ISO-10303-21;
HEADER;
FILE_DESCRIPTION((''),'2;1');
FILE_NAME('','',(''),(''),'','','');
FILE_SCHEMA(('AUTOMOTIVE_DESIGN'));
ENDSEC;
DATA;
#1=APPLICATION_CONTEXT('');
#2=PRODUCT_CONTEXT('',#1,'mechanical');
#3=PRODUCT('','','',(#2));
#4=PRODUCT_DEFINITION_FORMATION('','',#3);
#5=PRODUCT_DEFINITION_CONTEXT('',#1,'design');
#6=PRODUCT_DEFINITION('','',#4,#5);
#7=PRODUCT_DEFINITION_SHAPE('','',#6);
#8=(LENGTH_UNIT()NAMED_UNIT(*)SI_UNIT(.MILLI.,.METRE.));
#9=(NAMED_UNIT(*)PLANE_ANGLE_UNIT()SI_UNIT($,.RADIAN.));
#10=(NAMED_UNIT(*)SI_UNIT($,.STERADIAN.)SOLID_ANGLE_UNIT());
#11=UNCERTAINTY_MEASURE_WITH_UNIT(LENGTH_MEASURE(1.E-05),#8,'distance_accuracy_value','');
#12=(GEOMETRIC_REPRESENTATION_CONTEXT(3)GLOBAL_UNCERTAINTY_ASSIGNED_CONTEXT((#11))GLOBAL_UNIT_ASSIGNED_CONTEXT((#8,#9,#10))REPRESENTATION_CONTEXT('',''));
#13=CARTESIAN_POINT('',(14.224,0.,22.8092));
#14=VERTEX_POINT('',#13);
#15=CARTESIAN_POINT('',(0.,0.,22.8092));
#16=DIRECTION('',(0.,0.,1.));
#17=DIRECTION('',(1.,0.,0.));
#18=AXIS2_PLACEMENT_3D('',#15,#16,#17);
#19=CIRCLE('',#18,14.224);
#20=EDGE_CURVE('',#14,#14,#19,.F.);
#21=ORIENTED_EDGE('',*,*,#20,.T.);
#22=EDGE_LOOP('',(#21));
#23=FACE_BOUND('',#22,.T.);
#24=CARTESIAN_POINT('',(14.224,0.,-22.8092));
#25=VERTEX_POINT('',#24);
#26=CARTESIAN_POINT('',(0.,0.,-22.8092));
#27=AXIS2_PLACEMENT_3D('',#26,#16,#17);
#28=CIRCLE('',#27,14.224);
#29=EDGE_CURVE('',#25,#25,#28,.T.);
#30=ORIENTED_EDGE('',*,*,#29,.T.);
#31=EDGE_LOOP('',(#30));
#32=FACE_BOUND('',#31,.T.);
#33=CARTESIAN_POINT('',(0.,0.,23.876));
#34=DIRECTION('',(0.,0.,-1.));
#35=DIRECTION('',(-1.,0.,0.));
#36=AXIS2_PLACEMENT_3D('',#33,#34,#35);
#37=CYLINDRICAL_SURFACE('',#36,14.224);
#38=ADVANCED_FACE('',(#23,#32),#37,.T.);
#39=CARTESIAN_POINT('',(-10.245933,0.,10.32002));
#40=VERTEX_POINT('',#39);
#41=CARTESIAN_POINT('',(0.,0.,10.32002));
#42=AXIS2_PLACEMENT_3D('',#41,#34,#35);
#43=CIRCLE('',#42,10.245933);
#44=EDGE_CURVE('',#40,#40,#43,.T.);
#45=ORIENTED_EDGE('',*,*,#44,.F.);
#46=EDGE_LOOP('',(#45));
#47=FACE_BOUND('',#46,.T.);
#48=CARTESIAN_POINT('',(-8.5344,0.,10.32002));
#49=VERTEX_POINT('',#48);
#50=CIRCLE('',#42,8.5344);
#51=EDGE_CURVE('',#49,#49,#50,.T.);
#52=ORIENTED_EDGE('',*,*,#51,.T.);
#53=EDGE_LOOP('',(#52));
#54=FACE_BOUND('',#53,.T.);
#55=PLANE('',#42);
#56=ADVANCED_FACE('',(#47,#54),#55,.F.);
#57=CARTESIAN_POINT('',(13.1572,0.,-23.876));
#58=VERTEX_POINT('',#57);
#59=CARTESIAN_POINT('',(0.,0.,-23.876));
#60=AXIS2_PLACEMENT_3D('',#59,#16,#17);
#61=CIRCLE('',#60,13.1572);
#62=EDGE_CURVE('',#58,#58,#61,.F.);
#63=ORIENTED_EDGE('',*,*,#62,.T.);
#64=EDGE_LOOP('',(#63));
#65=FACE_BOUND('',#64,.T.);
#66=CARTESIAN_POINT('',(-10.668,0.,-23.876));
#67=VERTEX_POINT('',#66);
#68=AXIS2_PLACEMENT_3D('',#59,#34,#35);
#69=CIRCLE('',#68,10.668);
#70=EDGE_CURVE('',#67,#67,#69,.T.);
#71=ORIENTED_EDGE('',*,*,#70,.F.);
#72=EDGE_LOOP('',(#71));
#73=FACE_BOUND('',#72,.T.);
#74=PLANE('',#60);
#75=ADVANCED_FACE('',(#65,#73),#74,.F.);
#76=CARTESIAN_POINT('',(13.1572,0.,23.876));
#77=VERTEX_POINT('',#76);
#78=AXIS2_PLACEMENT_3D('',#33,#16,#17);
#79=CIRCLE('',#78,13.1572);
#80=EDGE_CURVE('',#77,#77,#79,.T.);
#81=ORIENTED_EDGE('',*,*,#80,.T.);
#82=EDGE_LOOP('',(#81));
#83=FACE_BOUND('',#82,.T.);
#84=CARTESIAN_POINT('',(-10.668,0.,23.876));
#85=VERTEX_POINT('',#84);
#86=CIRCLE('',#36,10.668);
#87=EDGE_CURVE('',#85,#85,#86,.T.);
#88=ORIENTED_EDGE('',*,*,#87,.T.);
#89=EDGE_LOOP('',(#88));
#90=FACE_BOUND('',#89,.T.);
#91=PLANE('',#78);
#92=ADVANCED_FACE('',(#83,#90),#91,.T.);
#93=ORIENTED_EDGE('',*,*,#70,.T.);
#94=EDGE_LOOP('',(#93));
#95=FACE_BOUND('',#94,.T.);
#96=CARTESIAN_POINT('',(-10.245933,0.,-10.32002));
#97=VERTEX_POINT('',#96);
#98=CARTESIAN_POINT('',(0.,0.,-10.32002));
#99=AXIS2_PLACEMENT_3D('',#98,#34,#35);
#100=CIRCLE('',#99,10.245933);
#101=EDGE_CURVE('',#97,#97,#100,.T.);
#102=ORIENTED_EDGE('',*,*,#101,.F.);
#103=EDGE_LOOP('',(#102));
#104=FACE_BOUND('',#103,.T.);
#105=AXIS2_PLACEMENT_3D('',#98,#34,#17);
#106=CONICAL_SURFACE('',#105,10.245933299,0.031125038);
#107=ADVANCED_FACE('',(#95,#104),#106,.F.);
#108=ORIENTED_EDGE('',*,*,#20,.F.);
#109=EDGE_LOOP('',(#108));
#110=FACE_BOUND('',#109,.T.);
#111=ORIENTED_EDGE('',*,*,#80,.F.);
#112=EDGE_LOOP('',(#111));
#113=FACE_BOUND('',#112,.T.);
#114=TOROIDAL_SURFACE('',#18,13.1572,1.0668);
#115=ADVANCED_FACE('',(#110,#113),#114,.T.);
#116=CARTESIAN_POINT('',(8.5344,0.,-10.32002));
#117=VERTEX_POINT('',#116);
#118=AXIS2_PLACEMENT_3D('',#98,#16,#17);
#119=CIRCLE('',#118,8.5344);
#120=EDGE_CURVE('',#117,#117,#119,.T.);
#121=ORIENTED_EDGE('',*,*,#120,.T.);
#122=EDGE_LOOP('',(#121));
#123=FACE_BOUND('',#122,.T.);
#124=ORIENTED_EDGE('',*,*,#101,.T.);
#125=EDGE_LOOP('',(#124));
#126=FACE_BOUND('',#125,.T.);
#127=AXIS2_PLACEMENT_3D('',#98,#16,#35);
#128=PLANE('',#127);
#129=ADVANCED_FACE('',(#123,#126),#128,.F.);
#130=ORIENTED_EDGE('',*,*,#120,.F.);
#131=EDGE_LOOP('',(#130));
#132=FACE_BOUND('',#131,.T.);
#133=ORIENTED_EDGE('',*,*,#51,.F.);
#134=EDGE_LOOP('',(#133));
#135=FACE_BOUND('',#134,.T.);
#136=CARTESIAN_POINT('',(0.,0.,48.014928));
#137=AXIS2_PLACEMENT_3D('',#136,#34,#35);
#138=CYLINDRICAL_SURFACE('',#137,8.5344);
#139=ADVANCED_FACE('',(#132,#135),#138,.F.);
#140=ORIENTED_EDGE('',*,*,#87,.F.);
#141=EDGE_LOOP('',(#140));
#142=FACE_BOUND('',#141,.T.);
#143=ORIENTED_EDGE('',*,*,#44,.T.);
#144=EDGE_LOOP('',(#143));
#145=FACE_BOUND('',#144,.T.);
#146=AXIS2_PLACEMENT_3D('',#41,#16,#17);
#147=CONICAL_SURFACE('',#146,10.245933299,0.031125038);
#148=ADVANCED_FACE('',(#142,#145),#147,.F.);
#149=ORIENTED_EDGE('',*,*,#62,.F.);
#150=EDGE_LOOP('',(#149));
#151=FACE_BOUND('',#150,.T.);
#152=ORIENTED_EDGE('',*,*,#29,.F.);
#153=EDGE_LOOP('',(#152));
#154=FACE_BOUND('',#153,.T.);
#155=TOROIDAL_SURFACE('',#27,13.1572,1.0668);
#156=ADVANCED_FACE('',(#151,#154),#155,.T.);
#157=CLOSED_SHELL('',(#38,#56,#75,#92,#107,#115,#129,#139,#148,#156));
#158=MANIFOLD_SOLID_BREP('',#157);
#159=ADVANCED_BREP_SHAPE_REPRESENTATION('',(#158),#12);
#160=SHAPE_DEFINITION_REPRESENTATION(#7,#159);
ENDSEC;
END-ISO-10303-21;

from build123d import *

# Parameters (mm, degrees)
BODYSCH_R  = 14.224
BODY_DEPTH = 23.876
FLOWSCH_R  = 8.5344
FLOW_DEPTH = 47.752
FILLET1_R  = 1.0668


with BuildPart() as part:
    # BodySch → Body (new, symmetric)
    with BuildSketch(Plane.XY):
        Circle(BODYSCH_R)
    extrude(amount=BODY_DEPTH, both=True)

    # FlowSch → Flow (cut)
    with BuildSketch(Plane.XY.offset(-23.876)):
        Circle(FLOWSCH_R)
    extrude(amount=FLOW_DEPTH, mode=Mode.SUBTRACT)

    # ThreadSch → Thread (revolve, cut)
    with BuildSketch(Plane(origin=(0, 0, 0), x_dir=(0, 0, -1), z_dir=(1, 0, 0)), mode=Mode.PRIVATE) as thread_sk:
        Polygon((-10.32002, 0), (-10.32002, 10.245933299), (-23.876, 10.668), (-23.876, 0), align=None)
    thread = revolve(thread_sk.sketch.rotate(Axis((0, 0, 0), (0, 0, 1)), 90), axis=Axis((0, 0, 0), (0, 0, 1)), mode=Mode.SUBTRACT)

    # Fillet1
    fillet1_edges = [part.edges().sort_by_distance(p)[0] for p in [
        (-14.224, 0, -23.876),
        (-14.224, 0, 23.876),
    ]]
    fillet(fillet1_edges, radius=FILLET1_R)

    # Mirror1: Thread across plane
    add(thread.mirror(Plane.XY), mode=Mode.SUBTRACT)


solid = part.part
